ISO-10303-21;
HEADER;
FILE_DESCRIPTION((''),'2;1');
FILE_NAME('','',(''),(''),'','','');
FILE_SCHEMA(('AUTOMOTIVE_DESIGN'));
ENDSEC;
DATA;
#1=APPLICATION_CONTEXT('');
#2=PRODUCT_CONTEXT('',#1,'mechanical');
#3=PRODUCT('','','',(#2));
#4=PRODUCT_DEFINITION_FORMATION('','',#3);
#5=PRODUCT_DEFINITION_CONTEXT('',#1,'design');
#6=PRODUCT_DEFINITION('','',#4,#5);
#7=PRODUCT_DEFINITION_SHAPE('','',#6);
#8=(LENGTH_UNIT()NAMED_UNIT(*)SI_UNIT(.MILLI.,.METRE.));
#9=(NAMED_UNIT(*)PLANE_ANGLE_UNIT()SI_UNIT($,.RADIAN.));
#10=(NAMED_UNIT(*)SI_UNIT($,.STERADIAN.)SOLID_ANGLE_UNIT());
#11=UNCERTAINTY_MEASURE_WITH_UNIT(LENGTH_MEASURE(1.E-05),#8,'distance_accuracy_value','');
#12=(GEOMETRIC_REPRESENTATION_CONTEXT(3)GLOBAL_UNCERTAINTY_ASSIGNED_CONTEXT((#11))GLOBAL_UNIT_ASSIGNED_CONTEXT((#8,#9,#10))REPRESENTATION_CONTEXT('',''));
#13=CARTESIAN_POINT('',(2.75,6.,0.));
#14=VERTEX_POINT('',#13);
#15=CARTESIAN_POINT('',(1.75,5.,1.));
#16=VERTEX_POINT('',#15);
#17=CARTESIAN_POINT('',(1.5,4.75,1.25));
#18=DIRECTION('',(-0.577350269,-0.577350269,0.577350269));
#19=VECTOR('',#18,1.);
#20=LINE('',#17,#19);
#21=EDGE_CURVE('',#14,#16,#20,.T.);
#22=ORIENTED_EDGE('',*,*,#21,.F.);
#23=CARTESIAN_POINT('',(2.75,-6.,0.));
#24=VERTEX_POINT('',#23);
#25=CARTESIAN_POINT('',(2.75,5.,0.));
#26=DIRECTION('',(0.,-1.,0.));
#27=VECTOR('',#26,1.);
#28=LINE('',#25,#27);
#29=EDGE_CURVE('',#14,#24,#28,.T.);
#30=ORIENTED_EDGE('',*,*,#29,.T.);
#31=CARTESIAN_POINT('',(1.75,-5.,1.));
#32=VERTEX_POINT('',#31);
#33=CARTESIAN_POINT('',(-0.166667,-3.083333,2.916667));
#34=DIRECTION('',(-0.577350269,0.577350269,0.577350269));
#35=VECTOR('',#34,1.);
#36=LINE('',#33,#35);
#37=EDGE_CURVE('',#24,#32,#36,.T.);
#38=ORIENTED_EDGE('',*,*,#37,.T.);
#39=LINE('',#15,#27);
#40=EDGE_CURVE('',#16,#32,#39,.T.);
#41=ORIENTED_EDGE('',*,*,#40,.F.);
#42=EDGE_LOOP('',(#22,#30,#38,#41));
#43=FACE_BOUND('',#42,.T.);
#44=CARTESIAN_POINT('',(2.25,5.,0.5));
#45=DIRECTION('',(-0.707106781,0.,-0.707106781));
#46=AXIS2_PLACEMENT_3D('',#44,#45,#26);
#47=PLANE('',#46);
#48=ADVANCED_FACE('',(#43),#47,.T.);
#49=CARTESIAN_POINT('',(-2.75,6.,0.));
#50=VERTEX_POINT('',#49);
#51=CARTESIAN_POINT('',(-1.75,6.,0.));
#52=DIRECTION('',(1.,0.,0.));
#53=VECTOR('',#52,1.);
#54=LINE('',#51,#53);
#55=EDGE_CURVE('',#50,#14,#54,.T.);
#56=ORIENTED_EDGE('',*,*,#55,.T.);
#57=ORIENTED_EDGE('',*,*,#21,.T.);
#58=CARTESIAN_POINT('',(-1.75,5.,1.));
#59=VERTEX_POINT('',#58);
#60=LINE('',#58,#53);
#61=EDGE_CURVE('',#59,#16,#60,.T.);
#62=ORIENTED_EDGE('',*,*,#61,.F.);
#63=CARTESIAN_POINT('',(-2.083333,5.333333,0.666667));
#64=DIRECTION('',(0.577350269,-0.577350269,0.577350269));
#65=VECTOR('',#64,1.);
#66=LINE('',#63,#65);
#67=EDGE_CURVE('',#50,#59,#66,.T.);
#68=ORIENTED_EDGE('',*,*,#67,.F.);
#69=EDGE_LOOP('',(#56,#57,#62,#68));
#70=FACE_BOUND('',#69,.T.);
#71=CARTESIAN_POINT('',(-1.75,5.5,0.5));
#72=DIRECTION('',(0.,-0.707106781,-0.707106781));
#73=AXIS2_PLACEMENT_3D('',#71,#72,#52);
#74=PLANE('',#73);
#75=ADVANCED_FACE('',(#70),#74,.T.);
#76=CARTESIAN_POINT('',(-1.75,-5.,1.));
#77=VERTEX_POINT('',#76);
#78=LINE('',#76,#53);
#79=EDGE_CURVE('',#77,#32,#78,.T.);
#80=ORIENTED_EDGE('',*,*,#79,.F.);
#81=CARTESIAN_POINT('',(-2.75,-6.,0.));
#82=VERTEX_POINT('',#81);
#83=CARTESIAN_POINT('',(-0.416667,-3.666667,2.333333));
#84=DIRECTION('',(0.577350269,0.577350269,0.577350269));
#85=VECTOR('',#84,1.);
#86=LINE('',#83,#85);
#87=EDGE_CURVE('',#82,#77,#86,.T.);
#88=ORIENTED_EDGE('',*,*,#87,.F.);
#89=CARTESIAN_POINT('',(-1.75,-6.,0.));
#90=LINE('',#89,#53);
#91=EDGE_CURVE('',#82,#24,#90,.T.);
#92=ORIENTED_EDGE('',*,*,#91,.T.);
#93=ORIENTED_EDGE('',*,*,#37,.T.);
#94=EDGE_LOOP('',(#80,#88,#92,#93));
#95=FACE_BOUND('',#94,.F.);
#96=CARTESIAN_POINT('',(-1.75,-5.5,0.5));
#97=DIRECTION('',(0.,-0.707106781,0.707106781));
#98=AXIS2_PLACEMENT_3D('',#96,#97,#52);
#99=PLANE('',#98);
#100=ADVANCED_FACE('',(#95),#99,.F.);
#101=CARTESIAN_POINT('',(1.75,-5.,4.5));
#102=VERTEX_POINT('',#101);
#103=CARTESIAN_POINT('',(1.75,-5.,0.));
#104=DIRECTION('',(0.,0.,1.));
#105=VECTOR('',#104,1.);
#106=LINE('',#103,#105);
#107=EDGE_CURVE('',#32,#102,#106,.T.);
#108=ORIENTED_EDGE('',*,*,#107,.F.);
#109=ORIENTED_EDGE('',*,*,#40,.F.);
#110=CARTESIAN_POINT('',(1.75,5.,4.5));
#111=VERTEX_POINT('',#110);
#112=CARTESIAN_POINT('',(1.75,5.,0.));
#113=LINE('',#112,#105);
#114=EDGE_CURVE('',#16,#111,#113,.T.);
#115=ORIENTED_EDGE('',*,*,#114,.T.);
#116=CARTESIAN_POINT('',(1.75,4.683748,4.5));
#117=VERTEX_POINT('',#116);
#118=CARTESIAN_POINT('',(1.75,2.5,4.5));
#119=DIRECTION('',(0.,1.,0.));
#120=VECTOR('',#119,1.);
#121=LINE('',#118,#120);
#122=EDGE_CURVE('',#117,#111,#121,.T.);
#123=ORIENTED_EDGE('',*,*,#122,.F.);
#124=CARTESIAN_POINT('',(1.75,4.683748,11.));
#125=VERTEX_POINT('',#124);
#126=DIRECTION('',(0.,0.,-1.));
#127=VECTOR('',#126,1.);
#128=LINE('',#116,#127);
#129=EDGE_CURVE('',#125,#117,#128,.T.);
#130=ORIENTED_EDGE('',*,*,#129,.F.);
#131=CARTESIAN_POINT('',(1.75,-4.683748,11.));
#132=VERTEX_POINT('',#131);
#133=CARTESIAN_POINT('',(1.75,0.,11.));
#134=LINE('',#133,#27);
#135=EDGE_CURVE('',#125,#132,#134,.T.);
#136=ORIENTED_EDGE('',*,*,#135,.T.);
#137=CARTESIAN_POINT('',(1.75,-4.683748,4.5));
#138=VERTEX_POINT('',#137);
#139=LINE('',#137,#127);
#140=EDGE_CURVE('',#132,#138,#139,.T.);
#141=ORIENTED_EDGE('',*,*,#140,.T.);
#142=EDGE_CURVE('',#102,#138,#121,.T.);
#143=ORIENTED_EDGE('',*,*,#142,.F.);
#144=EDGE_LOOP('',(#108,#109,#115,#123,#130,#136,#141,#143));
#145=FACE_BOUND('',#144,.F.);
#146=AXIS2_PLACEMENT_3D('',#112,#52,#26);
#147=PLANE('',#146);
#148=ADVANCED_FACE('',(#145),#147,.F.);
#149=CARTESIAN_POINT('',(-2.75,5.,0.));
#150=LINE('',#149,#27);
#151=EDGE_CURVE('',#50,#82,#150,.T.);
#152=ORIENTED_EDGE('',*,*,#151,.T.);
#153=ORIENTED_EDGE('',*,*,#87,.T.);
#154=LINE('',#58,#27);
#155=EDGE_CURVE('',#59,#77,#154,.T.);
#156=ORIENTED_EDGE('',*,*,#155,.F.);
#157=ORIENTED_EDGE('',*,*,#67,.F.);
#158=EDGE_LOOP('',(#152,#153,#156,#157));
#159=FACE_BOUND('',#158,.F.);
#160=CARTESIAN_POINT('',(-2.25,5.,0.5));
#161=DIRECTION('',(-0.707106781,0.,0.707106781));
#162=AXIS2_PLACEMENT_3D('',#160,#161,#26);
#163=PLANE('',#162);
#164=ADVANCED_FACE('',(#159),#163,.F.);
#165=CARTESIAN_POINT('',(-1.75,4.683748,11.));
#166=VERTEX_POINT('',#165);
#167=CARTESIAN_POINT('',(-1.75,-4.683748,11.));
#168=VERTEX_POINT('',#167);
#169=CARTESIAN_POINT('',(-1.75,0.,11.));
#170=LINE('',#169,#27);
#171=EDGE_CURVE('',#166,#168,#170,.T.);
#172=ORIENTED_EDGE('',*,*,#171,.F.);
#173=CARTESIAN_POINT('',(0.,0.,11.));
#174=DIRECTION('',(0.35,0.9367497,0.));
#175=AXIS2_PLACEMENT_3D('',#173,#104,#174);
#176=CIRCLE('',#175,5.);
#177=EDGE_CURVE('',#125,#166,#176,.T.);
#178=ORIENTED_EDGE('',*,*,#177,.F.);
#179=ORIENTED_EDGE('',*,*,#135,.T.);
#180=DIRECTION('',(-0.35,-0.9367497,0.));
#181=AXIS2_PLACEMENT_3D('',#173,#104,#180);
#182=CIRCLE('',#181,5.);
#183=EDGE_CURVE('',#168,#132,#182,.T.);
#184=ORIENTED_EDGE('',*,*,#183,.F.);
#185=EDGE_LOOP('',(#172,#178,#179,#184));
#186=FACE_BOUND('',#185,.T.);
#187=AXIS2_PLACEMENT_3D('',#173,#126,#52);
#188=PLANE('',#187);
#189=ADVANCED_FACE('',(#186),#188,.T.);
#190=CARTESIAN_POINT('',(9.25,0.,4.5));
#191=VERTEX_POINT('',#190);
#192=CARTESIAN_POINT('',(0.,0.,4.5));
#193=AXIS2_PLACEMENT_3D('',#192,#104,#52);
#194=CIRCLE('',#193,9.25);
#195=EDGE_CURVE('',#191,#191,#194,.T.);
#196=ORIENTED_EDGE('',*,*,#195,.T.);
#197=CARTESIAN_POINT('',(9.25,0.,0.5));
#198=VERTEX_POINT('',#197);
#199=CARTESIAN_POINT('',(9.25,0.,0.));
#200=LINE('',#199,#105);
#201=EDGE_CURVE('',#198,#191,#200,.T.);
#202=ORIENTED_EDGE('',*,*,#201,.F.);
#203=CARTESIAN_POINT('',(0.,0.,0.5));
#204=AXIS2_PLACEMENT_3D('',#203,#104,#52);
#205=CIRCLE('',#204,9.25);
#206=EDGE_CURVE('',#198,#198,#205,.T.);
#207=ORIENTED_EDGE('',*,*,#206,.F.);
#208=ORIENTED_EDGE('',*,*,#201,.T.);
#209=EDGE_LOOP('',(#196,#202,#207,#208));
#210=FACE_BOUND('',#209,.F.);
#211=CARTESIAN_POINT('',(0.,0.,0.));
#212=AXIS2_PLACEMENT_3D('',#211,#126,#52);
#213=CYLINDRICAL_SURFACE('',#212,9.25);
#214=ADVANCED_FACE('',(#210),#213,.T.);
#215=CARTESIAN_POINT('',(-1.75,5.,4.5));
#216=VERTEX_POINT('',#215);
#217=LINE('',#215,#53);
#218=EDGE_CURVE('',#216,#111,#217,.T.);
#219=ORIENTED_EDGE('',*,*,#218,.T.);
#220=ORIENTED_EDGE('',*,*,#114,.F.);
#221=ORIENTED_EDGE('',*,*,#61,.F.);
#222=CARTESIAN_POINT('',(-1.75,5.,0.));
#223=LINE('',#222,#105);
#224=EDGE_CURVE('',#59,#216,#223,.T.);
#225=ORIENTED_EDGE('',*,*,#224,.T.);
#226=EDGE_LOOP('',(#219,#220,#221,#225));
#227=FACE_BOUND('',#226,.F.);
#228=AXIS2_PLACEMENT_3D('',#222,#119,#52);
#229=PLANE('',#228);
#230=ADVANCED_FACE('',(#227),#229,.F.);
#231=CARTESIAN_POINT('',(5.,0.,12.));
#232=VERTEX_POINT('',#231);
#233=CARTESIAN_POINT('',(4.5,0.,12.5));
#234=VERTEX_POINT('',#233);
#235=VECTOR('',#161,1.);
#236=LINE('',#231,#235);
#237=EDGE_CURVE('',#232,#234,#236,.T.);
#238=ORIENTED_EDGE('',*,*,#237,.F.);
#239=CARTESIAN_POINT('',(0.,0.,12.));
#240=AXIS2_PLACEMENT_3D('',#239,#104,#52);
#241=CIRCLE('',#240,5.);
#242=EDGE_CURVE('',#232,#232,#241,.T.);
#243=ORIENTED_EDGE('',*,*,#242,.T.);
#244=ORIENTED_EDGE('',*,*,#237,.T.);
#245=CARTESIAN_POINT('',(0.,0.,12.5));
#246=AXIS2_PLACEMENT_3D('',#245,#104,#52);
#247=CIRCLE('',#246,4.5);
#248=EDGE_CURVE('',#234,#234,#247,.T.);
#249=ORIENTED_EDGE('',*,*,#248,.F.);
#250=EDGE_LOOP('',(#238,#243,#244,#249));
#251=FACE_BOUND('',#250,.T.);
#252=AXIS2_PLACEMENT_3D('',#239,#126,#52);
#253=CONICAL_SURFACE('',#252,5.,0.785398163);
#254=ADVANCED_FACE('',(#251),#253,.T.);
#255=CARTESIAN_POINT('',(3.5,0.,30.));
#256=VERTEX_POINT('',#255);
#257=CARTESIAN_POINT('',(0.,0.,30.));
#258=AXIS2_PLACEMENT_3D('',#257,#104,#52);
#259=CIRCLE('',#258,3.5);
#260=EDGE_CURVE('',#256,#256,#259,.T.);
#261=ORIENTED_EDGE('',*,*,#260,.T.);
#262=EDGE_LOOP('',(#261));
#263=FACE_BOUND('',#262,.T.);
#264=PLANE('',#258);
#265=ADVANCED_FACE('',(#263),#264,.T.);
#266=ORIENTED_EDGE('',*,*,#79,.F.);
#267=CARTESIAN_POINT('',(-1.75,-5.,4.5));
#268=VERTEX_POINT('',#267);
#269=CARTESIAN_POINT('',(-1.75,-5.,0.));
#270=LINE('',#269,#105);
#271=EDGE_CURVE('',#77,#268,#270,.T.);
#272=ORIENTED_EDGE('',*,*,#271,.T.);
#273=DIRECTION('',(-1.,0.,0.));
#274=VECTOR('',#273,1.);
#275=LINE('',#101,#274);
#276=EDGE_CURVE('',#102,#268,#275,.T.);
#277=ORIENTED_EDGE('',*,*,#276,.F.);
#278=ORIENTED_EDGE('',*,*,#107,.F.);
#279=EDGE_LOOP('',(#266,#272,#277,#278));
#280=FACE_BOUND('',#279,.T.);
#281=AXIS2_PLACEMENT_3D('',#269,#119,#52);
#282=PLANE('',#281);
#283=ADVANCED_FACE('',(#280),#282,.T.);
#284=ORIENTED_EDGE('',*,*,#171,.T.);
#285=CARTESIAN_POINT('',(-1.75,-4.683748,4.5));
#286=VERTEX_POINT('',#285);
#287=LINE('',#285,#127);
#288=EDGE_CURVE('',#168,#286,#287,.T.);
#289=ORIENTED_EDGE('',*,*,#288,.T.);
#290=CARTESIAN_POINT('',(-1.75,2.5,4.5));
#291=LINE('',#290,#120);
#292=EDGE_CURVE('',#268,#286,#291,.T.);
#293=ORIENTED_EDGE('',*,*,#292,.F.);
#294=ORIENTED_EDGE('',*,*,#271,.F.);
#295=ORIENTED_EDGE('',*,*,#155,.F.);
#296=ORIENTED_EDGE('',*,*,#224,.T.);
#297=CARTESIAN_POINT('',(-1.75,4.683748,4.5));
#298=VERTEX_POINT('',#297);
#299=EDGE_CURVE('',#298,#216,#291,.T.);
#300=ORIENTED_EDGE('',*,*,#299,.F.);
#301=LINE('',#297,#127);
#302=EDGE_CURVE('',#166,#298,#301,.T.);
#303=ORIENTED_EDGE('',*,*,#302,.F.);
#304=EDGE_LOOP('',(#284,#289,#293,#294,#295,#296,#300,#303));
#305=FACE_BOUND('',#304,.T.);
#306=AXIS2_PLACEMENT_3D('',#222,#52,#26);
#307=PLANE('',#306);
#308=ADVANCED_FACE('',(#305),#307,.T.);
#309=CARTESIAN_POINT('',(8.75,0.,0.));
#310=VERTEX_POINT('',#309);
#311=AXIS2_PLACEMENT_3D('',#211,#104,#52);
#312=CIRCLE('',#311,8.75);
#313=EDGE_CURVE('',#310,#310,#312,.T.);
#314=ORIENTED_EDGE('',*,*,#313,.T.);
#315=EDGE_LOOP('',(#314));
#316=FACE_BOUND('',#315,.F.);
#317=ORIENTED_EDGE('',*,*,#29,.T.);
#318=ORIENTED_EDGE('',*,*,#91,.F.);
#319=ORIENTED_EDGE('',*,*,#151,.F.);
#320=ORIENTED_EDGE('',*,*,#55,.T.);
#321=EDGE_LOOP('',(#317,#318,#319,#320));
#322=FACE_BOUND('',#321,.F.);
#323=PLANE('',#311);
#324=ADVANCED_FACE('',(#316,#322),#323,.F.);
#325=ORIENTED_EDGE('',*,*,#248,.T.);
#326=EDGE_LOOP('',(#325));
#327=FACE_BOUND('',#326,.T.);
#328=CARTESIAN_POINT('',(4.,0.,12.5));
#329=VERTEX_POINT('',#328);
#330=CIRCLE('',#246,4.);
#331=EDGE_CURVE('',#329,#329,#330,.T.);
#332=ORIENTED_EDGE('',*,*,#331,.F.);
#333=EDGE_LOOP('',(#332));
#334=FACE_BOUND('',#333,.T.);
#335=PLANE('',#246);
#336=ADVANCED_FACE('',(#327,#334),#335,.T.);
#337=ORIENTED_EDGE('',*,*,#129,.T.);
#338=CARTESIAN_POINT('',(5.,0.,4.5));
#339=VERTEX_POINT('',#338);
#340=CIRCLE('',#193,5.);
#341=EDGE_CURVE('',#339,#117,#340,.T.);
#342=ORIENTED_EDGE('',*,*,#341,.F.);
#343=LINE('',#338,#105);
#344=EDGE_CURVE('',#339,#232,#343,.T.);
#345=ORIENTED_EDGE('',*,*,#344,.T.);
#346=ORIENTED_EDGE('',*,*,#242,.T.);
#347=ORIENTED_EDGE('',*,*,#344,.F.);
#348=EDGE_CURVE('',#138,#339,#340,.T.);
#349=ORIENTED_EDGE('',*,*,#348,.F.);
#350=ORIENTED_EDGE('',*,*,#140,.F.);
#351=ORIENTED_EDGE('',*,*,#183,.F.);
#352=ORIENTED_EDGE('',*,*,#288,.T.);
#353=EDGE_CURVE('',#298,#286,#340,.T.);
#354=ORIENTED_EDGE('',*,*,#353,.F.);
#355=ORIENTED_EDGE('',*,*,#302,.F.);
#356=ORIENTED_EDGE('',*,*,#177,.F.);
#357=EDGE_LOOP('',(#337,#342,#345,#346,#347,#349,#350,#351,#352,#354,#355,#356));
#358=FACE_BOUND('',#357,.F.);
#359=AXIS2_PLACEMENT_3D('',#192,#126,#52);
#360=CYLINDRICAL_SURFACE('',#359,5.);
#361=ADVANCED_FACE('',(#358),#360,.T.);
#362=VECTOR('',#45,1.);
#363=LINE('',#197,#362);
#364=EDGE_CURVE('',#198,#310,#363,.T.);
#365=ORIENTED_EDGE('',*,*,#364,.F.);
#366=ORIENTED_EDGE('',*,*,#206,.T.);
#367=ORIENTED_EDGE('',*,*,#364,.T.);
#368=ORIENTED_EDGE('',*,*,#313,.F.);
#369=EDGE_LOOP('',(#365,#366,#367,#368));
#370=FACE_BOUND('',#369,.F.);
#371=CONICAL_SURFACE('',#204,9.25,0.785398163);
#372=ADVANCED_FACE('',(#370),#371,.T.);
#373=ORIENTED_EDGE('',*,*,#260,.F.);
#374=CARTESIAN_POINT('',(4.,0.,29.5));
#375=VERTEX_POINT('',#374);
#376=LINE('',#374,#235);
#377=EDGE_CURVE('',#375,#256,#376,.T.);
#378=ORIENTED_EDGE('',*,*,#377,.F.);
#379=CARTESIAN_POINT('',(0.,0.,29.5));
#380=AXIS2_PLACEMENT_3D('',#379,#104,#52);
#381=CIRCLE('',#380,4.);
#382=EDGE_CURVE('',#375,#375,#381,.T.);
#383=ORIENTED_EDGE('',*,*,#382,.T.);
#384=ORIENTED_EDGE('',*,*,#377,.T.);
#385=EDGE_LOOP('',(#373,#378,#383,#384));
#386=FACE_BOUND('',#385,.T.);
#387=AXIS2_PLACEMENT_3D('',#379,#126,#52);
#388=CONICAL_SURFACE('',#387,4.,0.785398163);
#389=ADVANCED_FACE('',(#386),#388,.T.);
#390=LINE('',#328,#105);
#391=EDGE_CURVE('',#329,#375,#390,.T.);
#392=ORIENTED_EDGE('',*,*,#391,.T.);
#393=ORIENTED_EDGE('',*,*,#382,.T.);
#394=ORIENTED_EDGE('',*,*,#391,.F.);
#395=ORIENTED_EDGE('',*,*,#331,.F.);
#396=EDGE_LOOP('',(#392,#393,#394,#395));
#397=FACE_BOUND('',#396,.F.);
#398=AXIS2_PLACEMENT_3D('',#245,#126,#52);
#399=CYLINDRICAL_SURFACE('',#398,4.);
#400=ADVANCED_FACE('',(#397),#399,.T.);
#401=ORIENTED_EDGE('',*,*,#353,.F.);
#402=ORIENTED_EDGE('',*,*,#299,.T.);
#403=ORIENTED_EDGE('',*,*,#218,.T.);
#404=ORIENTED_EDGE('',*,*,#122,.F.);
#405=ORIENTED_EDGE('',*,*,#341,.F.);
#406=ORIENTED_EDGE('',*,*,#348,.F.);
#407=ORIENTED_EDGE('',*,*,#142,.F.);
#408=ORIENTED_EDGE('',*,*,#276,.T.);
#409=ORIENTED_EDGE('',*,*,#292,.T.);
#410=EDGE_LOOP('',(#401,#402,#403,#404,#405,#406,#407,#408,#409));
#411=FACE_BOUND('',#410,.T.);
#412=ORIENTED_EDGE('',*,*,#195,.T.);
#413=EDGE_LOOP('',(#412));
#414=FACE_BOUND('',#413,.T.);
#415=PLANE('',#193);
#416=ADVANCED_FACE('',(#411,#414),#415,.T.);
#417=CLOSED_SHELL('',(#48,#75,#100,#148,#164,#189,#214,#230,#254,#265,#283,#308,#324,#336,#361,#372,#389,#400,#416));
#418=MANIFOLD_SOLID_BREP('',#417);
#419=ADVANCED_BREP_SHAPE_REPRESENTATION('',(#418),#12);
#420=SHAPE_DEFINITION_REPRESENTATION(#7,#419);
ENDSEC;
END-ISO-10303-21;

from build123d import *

# Parameters (mm, degrees)
SKETCH_R        = 9.25
PAD_DEPTH       = 4.5
SKETCH001_R     = 5
PAD001_DEPTH    = 8
SKETCH002_R     = 4
PAD002_DEPTH    = 17.5
SKETCH003_W     = 3.5
SKETCH003_H     = 10
POCKET_DEPTH    = 11
CHAMFER_SIZE    = 0.5
CHAMFER001_SIZE = 1


with BuildPart() as part:
    # Sketch → Pad (new body)
    with BuildSketch(Plane.XY):
        Circle(SKETCH_R)
    extrude(amount=PAD_DEPTH)

    # Sketch001 (on Face3 of Pad) → Pad001 (join)
    with BuildSketch(Plane.XY.offset(4.5)):
        Circle(SKETCH001_R)
    extrude(amount=PAD001_DEPTH)

    # Sketch002 (on Face5 of Pad001) → Pad002 (join)
    with BuildSketch(Plane.XY.offset(12.5)):
        Circle(SKETCH002_R)
    extrude(amount=PAD002_DEPTH)

    # Sketch003 (on Face2 of Pad002) → Pocket (cut)
    with BuildSketch(Plane(origin=(0, 0, 0), x_dir=(1, 0, 0), z_dir=(0, 0, -1))):
        Rectangle(SKETCH003_W, SKETCH003_H)
    extrude(amount=-POCKET_DEPTH, mode=Mode.SUBTRACT)

    # Chamfer
    chamfer_edges = [part.edges().sort_by_distance(p)[0] for p in [
        (-4, 0, 30),
        (-5, 0, 12.5),
        (-9.25, 0, 0),
    ]]
    chamfer(chamfer_edges, length=CHAMFER_SIZE)

    # Chamfer001
    chamfer001_edges = [part.edges().sort_by_distance(p)[0] for p in [
        (0, -5, 0),
        (1.75, 0, 0),
        (0, 5, 0),
        (-1.75, 0, 0),
    ]]
    chamfer(chamfer001_edges, length=CHAMFER001_SIZE)


solid = part.part
